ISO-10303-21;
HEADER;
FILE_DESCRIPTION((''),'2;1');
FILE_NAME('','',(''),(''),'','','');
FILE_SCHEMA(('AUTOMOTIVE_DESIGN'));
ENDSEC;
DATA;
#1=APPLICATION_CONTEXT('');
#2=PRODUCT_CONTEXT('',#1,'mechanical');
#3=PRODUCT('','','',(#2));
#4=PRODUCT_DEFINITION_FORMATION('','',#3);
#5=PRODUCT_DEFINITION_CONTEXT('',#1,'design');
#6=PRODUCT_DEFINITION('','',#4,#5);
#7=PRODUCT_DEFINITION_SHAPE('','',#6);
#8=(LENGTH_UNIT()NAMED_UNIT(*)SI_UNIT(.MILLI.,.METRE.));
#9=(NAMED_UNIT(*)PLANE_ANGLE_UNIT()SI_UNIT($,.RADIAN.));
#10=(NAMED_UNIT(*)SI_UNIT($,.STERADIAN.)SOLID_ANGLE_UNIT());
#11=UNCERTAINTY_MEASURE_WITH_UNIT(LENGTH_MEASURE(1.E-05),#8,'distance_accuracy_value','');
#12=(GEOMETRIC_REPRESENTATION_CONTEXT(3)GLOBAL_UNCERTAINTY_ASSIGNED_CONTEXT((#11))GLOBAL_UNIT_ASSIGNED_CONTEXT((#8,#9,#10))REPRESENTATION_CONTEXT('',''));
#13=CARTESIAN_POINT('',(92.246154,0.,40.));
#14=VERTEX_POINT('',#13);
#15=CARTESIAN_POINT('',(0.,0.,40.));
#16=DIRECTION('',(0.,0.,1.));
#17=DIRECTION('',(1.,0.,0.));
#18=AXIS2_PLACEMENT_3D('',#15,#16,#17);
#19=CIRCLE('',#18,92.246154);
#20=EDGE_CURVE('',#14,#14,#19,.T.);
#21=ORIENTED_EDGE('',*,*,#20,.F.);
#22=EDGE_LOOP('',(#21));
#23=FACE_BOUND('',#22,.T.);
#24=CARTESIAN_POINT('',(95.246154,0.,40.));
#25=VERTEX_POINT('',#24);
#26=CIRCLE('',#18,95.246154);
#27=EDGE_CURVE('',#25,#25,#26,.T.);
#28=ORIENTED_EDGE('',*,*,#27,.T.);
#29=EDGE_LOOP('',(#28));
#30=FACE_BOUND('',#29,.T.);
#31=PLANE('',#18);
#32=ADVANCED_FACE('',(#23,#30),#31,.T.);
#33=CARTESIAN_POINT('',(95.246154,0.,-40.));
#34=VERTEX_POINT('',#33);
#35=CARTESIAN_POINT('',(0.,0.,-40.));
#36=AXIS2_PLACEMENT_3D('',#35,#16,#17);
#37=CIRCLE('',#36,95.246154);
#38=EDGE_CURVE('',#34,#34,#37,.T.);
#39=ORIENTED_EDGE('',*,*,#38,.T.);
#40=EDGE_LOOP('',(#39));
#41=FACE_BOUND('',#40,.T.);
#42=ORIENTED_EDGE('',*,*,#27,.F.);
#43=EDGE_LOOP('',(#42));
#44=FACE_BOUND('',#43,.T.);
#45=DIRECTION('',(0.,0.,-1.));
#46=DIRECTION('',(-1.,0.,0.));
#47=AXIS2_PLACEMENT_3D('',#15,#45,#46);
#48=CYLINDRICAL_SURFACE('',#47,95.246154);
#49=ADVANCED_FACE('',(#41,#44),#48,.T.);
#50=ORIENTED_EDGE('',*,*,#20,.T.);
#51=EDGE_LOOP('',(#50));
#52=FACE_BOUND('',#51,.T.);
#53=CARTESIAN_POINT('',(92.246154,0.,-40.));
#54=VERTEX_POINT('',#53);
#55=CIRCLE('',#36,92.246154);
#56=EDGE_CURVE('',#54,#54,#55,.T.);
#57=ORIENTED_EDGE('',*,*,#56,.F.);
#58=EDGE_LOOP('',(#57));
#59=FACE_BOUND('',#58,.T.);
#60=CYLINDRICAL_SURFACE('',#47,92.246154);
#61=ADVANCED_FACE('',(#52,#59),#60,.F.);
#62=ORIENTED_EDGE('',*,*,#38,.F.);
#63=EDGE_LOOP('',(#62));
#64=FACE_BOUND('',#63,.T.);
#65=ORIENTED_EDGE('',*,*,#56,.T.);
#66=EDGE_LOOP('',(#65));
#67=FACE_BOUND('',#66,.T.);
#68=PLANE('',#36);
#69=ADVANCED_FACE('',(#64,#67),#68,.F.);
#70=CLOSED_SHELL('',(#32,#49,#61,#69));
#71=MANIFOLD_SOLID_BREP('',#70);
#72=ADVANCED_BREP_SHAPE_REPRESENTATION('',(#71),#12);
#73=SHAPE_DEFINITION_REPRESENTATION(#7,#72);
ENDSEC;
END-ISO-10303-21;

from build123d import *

# Parameters (mm, degrees)
ROTOR_SHELL_START = -40
SKETCH_1_R        = 95.246153846
SKETCH_1_R_2      = 92.246153846
ROTOR_SHELL_DEPTH = 80


with BuildPart() as part:
    # Эскиз1 → Rotor_shell (new body)
    with BuildSketch(Plane.XY.offset(ROTOR_SHELL_START)):
        Circle(SKETCH_1_R)
        Circle(SKETCH_1_R_2, mode=Mode.SUBTRACT)
    extrude(amount=ROTOR_SHELL_DEPTH)


solid = part.part
